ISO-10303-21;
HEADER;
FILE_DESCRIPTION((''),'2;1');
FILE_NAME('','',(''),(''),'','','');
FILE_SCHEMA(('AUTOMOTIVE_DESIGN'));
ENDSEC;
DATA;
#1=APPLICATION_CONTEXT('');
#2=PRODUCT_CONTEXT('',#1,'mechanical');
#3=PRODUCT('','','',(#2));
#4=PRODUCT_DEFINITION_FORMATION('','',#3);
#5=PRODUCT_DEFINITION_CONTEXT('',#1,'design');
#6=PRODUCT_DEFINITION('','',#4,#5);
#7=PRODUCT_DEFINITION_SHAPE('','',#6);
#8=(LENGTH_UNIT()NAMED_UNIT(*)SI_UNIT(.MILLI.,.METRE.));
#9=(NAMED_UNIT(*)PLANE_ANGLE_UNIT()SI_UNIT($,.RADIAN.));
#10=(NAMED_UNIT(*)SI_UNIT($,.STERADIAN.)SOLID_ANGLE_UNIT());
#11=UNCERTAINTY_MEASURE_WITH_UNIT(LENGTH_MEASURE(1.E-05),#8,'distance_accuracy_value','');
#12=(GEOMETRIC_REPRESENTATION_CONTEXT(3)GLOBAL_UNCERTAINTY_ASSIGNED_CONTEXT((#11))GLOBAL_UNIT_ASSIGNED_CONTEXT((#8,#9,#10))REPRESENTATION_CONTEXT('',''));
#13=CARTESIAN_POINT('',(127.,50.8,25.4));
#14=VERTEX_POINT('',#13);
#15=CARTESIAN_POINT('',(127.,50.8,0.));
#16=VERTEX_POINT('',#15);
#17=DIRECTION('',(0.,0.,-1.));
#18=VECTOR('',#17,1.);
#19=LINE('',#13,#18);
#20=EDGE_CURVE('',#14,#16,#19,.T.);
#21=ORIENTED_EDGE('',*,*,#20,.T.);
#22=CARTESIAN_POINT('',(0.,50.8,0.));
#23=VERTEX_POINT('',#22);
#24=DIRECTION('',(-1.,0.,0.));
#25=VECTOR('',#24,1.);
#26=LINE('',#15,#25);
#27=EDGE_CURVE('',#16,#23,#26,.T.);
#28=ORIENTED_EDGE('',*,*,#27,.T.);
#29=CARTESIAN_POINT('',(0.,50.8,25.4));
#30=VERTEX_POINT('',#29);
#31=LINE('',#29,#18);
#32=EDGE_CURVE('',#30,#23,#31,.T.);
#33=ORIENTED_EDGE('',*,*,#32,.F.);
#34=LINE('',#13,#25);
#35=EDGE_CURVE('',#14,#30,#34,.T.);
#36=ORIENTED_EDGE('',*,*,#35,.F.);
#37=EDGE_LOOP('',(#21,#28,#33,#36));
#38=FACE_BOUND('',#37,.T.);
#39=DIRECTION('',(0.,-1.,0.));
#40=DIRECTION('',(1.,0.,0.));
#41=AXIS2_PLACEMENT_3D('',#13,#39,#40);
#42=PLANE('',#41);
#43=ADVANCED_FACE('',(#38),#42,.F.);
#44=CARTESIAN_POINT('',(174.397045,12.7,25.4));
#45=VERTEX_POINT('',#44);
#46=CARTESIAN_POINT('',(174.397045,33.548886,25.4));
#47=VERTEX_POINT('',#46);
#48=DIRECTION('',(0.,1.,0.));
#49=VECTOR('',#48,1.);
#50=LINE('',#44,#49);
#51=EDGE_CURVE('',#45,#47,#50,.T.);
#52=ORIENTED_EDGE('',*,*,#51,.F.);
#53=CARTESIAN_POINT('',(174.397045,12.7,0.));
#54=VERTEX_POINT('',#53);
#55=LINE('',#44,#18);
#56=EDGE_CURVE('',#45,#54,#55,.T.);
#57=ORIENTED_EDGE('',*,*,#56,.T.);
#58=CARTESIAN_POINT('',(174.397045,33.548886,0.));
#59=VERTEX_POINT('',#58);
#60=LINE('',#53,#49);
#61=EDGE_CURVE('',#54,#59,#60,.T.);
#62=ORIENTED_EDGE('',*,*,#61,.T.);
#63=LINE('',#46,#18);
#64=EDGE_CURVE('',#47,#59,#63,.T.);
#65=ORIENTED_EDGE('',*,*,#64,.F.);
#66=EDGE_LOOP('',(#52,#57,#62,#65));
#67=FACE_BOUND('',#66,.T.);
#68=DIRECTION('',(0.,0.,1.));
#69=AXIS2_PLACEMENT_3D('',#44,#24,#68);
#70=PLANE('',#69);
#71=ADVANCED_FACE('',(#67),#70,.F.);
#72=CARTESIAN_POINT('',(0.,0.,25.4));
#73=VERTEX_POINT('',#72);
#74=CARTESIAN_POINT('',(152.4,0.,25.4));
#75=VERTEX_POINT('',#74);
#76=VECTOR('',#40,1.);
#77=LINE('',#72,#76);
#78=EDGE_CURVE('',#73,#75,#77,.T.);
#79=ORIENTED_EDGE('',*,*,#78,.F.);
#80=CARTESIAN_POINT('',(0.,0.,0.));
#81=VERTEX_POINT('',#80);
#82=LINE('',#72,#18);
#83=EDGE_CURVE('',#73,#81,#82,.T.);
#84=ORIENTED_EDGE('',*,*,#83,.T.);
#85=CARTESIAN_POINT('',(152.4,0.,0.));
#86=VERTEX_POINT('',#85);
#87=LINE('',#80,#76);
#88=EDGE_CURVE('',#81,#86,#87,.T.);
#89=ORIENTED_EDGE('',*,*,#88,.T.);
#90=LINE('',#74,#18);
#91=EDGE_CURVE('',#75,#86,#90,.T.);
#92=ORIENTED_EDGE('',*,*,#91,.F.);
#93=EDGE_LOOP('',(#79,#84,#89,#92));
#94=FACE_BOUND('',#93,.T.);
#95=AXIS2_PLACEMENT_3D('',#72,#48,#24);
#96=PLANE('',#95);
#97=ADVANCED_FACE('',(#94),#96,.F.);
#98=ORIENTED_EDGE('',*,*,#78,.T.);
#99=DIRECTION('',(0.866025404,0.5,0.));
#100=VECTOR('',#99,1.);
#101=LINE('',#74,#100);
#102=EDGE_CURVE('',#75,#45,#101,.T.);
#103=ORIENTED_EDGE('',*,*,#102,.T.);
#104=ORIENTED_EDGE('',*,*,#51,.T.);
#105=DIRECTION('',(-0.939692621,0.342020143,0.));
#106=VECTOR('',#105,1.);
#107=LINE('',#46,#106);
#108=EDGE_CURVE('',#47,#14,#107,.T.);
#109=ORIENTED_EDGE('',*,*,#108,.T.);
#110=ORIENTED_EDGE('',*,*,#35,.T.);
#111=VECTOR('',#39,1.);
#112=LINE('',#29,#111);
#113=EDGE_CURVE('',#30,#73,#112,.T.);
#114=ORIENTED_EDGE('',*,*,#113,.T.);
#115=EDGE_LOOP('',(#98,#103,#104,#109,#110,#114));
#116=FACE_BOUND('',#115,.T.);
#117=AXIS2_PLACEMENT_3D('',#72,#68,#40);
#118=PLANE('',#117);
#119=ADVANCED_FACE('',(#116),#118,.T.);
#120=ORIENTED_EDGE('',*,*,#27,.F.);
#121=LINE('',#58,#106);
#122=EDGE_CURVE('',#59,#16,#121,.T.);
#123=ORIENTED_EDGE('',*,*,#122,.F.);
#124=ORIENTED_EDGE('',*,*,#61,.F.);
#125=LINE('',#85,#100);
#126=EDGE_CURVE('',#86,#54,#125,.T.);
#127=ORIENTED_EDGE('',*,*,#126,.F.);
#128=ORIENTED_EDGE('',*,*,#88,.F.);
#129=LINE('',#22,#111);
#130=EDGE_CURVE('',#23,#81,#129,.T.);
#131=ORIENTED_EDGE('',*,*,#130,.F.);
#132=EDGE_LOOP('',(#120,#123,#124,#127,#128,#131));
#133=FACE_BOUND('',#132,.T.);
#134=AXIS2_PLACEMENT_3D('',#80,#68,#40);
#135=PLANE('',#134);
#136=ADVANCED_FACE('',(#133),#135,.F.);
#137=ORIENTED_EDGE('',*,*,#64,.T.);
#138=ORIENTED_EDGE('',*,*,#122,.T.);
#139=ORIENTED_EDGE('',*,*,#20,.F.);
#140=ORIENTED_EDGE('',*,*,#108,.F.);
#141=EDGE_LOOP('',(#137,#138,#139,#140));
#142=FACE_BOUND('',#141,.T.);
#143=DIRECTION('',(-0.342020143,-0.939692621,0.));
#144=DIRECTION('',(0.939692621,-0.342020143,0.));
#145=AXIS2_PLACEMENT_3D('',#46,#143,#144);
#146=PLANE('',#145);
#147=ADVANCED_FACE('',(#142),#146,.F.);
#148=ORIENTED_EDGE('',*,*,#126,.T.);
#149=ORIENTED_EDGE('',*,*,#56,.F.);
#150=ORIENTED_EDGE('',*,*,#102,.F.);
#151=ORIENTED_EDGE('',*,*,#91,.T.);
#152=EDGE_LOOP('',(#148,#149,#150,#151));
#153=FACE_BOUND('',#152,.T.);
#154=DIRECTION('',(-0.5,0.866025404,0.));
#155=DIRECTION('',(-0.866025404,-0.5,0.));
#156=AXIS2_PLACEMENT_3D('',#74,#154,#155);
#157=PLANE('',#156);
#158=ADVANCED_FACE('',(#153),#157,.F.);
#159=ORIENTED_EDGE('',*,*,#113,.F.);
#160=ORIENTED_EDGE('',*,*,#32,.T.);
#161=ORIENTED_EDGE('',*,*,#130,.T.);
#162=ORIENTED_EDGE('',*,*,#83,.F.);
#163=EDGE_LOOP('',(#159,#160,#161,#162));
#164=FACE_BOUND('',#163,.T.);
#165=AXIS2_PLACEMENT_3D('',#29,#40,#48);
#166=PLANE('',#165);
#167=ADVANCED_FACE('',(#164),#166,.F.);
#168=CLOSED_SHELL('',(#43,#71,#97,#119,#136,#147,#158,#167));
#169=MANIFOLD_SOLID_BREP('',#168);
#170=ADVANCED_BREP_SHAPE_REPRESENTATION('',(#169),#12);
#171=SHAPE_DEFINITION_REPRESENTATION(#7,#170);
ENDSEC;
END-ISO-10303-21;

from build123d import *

# Parameters (mm, degrees)
BOSS_EXTRUDE1_DEPTH = 25.4


with BuildPart() as part:
    # Sketch2 → Boss-Extrude1 (new body)
    with BuildSketch(Plane.XY):
        Polygon((0, 0), (152.4, 0), (174.397045256, 12.7), (174.397045256, 33.548886335), (127, 50.8), (0, 50.8), align=None)
    extrude(amount=BOSS_EXTRUDE1_DEPTH)


solid = part.part
